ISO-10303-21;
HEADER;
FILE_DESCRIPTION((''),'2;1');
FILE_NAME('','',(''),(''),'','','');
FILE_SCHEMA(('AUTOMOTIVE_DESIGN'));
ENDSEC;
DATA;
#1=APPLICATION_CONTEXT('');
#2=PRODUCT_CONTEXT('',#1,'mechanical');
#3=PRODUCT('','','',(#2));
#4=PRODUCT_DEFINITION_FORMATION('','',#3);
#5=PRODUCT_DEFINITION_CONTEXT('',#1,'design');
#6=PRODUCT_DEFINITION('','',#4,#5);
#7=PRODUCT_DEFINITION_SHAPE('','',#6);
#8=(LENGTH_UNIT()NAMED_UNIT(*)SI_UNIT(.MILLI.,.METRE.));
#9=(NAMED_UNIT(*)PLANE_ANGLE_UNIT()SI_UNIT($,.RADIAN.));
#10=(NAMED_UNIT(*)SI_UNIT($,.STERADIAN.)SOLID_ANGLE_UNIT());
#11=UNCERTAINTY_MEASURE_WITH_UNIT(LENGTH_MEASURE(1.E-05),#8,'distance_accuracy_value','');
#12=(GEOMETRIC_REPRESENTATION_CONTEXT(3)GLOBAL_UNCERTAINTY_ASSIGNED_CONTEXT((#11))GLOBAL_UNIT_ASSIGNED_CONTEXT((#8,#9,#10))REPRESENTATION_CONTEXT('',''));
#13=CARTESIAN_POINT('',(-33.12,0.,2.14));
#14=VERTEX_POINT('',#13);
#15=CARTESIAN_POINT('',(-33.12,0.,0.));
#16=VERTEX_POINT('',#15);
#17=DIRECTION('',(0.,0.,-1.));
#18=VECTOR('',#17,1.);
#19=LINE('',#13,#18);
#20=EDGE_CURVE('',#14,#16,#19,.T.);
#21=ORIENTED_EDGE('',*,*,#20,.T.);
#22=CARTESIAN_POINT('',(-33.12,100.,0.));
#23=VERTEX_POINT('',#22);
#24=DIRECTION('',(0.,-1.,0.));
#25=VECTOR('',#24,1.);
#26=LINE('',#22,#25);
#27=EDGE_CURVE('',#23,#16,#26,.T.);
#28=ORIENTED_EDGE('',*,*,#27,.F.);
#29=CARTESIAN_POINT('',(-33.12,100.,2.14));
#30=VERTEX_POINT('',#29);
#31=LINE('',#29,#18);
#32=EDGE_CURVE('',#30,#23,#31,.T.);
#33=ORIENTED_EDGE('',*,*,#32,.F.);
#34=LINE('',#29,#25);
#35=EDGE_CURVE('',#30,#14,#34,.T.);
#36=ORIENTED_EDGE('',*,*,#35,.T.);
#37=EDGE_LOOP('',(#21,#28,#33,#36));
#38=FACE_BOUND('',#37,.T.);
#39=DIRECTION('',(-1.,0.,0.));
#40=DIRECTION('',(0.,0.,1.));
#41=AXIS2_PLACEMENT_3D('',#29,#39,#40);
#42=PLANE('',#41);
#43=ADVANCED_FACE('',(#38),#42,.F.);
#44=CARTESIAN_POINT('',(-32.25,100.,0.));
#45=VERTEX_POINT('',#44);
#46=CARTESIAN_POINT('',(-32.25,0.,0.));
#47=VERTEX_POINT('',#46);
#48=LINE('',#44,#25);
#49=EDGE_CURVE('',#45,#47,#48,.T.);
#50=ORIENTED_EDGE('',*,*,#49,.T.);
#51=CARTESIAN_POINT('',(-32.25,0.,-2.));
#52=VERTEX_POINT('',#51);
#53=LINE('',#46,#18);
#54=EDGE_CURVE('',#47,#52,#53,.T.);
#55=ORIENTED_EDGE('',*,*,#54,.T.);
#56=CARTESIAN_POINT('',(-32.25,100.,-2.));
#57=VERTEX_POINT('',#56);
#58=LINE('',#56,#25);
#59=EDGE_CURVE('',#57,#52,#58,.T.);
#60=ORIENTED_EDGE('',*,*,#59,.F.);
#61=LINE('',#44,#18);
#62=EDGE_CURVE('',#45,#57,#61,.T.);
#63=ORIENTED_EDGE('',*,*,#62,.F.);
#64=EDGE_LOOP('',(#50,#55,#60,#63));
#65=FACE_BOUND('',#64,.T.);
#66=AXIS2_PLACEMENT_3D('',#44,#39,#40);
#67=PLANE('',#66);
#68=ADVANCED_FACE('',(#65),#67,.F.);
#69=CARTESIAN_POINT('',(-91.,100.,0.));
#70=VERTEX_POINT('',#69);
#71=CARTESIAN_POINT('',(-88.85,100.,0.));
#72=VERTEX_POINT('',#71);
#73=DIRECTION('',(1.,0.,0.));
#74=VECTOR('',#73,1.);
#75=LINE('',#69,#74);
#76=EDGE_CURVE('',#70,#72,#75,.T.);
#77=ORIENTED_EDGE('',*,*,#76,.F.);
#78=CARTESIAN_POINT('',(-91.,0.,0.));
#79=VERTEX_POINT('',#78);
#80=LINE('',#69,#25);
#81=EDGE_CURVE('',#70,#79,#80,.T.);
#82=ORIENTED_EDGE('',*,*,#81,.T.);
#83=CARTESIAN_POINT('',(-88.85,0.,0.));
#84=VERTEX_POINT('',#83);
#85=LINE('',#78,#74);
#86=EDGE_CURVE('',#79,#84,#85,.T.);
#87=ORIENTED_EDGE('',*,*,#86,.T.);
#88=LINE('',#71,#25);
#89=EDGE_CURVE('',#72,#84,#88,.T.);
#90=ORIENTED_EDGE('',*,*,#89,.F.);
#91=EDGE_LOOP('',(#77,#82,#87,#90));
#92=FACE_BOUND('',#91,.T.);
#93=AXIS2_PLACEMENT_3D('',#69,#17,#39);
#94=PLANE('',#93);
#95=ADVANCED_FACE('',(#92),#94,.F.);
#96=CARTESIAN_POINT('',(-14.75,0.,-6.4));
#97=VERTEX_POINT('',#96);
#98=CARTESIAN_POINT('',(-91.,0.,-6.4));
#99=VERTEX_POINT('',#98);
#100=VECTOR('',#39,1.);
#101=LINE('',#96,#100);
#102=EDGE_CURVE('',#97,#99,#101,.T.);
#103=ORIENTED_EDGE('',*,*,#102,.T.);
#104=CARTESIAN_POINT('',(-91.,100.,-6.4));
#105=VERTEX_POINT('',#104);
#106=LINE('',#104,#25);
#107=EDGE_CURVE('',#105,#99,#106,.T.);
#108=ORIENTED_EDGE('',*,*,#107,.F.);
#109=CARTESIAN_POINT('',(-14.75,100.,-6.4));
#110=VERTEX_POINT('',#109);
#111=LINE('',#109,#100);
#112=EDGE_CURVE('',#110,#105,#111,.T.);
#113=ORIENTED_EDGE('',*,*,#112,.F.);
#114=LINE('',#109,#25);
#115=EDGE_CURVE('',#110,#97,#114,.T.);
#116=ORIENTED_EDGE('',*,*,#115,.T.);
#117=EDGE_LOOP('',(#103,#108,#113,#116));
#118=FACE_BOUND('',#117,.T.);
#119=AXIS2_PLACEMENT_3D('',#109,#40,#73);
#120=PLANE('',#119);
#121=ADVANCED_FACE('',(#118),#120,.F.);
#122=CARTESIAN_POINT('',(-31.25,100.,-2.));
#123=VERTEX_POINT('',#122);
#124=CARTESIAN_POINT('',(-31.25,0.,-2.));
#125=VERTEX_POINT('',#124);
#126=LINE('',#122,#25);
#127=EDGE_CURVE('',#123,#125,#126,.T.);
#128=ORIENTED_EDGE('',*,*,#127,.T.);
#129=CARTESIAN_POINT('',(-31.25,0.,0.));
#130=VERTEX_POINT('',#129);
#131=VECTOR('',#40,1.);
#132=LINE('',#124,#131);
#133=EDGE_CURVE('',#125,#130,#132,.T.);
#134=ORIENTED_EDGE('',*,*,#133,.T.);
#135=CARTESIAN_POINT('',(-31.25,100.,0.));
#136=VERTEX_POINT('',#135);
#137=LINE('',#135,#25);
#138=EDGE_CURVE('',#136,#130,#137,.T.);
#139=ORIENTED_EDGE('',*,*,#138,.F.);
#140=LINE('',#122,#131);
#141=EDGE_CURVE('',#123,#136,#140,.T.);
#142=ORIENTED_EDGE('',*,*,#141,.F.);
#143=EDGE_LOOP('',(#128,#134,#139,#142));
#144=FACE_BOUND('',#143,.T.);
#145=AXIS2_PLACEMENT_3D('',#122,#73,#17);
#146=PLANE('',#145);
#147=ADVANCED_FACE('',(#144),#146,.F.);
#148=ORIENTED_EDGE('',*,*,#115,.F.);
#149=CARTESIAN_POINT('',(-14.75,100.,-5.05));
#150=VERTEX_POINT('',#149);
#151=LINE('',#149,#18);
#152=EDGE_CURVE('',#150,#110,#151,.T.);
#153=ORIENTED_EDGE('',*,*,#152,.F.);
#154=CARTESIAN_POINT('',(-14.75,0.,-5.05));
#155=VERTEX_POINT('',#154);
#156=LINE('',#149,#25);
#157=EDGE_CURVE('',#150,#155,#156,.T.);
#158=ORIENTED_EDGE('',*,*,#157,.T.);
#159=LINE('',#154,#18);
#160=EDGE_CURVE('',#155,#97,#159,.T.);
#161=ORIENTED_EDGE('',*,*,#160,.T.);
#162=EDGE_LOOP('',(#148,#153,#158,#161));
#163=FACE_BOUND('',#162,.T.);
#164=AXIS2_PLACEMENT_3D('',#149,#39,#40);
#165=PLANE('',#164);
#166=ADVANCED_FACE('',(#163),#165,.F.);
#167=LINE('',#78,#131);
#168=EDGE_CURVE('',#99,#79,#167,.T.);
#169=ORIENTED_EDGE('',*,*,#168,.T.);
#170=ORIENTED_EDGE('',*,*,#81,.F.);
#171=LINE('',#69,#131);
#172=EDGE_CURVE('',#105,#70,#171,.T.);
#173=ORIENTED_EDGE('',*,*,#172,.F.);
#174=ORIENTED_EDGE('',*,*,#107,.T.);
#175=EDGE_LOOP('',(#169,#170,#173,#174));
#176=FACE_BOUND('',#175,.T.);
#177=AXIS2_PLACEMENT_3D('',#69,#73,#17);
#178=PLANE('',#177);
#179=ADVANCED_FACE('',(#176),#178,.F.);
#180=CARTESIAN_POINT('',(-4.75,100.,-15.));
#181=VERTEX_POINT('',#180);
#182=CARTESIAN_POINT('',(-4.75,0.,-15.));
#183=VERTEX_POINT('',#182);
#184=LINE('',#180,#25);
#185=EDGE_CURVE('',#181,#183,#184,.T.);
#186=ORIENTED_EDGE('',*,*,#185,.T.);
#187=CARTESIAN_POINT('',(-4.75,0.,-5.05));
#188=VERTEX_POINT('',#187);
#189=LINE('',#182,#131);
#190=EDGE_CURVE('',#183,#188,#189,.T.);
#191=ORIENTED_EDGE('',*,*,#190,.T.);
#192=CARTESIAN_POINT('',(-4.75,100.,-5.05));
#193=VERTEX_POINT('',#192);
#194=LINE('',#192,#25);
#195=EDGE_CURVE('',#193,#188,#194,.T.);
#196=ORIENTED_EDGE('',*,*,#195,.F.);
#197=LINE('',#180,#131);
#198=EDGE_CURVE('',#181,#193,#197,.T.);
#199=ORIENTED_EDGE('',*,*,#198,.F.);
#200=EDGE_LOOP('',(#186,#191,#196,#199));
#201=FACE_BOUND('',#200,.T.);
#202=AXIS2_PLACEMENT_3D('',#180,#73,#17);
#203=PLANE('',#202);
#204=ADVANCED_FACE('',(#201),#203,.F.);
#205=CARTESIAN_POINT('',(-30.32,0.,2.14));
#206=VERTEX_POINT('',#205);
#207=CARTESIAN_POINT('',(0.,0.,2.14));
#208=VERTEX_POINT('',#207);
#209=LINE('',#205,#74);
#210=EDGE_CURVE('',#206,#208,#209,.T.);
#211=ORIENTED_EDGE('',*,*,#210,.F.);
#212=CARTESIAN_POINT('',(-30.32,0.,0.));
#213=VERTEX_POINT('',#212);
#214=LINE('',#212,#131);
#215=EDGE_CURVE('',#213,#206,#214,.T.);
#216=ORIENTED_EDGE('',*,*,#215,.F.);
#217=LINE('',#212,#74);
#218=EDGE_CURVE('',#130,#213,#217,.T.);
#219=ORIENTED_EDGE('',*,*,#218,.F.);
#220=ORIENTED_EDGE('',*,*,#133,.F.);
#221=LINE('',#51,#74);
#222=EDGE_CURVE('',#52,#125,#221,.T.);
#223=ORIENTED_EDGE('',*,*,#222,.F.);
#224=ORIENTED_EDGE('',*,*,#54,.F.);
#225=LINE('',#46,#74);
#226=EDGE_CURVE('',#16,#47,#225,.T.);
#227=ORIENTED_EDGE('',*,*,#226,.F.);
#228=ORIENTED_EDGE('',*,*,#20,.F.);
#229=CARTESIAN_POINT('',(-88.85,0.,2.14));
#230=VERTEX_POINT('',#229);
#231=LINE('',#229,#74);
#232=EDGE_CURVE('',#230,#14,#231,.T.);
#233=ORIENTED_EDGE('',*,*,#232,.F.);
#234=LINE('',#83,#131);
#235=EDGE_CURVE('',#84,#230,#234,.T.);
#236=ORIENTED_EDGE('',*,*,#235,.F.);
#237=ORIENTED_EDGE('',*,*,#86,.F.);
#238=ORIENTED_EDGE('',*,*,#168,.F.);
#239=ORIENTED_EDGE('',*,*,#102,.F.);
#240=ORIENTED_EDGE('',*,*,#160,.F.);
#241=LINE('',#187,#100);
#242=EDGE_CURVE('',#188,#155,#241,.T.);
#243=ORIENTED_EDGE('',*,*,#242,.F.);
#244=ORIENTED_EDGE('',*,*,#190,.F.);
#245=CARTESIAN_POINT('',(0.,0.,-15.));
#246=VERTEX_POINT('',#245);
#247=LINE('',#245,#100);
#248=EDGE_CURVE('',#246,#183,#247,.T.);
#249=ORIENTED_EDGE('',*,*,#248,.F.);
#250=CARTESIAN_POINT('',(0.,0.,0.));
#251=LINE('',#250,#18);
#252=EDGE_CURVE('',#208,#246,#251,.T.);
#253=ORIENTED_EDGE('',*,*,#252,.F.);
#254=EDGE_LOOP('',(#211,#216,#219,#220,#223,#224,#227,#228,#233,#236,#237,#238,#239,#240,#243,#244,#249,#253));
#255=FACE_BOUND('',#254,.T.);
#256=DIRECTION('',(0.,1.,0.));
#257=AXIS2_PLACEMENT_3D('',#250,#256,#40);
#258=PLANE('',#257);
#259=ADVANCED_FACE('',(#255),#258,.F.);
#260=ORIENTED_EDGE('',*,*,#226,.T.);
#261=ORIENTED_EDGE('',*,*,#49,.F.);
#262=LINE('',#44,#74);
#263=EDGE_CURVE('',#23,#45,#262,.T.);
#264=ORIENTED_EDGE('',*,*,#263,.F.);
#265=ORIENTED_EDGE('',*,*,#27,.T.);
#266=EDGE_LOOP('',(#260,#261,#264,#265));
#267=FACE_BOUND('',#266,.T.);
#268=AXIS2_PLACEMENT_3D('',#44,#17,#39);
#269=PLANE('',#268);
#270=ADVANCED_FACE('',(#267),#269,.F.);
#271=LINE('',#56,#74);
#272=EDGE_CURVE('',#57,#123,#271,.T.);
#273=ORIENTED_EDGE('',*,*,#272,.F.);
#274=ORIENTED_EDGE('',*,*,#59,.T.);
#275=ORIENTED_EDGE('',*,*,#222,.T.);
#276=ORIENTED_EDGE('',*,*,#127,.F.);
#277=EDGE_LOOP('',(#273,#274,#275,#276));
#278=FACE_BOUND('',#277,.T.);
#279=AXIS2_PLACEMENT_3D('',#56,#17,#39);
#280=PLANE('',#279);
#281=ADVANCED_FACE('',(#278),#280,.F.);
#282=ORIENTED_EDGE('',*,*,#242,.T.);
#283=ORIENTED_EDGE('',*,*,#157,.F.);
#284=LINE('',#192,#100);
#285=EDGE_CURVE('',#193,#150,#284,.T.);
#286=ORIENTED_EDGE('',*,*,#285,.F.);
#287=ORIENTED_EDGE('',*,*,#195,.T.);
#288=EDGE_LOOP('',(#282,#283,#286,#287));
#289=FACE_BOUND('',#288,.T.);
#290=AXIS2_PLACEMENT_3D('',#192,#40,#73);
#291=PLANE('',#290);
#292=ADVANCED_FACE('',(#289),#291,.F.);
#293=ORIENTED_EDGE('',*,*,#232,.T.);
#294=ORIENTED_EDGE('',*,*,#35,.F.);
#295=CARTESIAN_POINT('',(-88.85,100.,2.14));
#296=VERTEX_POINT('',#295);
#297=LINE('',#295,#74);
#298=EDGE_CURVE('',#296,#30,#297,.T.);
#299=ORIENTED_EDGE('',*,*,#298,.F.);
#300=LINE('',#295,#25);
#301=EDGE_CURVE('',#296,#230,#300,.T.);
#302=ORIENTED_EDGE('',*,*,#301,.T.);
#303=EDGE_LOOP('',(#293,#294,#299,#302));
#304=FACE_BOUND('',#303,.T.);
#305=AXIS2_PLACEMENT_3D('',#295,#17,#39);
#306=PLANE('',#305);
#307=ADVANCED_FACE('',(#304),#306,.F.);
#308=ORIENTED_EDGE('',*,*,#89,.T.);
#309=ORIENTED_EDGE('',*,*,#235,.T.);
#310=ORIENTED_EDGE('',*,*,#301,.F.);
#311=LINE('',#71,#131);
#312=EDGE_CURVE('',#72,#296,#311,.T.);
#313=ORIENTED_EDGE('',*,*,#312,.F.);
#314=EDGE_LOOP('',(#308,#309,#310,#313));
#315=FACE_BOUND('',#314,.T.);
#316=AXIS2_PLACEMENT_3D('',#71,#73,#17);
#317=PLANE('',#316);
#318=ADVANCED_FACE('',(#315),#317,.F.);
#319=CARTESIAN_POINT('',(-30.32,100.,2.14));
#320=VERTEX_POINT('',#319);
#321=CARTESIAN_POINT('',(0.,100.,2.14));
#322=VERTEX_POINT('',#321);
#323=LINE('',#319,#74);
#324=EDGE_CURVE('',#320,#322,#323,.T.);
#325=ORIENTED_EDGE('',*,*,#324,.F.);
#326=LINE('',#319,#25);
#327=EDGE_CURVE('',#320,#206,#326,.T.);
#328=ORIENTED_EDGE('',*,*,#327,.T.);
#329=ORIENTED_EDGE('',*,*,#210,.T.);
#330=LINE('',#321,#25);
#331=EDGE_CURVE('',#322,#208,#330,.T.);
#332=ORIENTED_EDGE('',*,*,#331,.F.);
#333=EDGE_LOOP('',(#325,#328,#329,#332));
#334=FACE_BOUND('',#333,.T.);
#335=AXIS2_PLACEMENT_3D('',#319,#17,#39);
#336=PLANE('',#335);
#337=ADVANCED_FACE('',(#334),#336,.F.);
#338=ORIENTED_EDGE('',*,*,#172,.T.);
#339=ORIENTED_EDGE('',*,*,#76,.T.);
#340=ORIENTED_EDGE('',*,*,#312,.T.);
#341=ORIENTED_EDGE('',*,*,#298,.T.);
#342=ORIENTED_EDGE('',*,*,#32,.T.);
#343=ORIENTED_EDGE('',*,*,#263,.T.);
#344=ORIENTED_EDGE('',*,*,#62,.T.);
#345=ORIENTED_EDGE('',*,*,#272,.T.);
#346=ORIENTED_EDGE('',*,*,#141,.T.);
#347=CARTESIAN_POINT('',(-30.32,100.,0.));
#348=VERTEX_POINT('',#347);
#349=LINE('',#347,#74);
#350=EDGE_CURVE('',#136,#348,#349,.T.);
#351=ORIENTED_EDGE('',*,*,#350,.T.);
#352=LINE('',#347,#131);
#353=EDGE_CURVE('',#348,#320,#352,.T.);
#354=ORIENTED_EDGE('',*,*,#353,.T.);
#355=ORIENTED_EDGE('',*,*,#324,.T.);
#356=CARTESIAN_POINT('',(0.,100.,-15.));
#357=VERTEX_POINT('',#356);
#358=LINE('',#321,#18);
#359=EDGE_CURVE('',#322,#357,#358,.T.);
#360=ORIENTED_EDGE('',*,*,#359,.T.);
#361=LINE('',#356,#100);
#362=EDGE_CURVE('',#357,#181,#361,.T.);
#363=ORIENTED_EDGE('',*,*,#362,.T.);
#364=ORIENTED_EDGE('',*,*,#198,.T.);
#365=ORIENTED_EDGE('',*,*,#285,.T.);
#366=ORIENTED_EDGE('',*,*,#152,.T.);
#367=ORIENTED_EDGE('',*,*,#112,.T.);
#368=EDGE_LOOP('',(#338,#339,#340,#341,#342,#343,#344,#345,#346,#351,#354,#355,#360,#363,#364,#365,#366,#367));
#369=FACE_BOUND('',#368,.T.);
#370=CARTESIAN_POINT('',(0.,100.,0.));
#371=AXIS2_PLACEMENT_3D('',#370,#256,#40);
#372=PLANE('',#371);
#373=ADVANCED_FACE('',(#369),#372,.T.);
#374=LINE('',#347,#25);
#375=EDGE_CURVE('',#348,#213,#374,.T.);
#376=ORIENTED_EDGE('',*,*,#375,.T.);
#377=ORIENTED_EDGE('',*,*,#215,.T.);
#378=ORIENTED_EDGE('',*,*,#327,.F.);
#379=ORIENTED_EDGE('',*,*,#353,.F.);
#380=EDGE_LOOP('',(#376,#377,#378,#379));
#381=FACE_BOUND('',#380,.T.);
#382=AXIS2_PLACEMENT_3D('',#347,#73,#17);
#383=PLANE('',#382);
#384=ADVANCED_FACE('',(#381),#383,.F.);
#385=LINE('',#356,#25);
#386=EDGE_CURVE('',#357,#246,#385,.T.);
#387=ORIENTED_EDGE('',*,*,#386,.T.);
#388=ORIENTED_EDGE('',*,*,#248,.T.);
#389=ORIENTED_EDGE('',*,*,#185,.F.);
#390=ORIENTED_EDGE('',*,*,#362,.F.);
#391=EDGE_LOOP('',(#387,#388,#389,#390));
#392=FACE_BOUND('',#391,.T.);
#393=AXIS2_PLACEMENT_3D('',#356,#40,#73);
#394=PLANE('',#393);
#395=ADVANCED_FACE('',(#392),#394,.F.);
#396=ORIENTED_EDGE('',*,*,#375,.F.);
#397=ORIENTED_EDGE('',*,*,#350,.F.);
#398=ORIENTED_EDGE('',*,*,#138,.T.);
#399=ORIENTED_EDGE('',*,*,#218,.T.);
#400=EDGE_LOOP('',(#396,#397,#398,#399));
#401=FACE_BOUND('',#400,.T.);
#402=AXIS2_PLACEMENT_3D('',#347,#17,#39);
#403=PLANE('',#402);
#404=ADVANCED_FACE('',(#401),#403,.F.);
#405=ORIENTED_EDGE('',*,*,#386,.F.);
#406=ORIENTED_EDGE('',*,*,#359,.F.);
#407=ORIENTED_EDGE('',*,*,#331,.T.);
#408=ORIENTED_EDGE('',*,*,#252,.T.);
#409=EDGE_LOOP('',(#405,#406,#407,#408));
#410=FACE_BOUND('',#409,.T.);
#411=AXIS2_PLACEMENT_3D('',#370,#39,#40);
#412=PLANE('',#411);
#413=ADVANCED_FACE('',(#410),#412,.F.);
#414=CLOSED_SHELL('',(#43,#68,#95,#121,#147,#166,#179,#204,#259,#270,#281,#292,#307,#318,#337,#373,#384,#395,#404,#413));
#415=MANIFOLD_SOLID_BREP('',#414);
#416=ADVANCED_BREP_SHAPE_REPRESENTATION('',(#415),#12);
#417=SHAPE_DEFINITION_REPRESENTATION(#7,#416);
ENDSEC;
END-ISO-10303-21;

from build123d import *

# Parameters (mm, degrees)
BOSS_EXTRUDE1_DEPTH = 100


with BuildPart() as part:
    # Sketch1 → Boss-Extrude1 (new body)
    with BuildSketch(Plane(origin=(0, 0, 0), x_dir=(1, 0, 0), z_dir=(0, 1, 0))):
        Polygon((-4.75, 15), (-4.75, 5.05), (-14.75, 5.05), (-14.75, 6.4), (-91, 6.4), (-91, 0), (-88.85, 0), (-88.85, -2.14), (-33.12, -2.14), (-33.12, 0), (-32.25, 0), (-32.25, 2), (-31.25, 2), (-31.25, 0), (-30.32, 0), (-30.32, -2.14), (0, -2.14), (0, 0), (0, 15), align=None)
    extrude(amount=BOSS_EXTRUDE1_DEPTH)


solid = part.part
